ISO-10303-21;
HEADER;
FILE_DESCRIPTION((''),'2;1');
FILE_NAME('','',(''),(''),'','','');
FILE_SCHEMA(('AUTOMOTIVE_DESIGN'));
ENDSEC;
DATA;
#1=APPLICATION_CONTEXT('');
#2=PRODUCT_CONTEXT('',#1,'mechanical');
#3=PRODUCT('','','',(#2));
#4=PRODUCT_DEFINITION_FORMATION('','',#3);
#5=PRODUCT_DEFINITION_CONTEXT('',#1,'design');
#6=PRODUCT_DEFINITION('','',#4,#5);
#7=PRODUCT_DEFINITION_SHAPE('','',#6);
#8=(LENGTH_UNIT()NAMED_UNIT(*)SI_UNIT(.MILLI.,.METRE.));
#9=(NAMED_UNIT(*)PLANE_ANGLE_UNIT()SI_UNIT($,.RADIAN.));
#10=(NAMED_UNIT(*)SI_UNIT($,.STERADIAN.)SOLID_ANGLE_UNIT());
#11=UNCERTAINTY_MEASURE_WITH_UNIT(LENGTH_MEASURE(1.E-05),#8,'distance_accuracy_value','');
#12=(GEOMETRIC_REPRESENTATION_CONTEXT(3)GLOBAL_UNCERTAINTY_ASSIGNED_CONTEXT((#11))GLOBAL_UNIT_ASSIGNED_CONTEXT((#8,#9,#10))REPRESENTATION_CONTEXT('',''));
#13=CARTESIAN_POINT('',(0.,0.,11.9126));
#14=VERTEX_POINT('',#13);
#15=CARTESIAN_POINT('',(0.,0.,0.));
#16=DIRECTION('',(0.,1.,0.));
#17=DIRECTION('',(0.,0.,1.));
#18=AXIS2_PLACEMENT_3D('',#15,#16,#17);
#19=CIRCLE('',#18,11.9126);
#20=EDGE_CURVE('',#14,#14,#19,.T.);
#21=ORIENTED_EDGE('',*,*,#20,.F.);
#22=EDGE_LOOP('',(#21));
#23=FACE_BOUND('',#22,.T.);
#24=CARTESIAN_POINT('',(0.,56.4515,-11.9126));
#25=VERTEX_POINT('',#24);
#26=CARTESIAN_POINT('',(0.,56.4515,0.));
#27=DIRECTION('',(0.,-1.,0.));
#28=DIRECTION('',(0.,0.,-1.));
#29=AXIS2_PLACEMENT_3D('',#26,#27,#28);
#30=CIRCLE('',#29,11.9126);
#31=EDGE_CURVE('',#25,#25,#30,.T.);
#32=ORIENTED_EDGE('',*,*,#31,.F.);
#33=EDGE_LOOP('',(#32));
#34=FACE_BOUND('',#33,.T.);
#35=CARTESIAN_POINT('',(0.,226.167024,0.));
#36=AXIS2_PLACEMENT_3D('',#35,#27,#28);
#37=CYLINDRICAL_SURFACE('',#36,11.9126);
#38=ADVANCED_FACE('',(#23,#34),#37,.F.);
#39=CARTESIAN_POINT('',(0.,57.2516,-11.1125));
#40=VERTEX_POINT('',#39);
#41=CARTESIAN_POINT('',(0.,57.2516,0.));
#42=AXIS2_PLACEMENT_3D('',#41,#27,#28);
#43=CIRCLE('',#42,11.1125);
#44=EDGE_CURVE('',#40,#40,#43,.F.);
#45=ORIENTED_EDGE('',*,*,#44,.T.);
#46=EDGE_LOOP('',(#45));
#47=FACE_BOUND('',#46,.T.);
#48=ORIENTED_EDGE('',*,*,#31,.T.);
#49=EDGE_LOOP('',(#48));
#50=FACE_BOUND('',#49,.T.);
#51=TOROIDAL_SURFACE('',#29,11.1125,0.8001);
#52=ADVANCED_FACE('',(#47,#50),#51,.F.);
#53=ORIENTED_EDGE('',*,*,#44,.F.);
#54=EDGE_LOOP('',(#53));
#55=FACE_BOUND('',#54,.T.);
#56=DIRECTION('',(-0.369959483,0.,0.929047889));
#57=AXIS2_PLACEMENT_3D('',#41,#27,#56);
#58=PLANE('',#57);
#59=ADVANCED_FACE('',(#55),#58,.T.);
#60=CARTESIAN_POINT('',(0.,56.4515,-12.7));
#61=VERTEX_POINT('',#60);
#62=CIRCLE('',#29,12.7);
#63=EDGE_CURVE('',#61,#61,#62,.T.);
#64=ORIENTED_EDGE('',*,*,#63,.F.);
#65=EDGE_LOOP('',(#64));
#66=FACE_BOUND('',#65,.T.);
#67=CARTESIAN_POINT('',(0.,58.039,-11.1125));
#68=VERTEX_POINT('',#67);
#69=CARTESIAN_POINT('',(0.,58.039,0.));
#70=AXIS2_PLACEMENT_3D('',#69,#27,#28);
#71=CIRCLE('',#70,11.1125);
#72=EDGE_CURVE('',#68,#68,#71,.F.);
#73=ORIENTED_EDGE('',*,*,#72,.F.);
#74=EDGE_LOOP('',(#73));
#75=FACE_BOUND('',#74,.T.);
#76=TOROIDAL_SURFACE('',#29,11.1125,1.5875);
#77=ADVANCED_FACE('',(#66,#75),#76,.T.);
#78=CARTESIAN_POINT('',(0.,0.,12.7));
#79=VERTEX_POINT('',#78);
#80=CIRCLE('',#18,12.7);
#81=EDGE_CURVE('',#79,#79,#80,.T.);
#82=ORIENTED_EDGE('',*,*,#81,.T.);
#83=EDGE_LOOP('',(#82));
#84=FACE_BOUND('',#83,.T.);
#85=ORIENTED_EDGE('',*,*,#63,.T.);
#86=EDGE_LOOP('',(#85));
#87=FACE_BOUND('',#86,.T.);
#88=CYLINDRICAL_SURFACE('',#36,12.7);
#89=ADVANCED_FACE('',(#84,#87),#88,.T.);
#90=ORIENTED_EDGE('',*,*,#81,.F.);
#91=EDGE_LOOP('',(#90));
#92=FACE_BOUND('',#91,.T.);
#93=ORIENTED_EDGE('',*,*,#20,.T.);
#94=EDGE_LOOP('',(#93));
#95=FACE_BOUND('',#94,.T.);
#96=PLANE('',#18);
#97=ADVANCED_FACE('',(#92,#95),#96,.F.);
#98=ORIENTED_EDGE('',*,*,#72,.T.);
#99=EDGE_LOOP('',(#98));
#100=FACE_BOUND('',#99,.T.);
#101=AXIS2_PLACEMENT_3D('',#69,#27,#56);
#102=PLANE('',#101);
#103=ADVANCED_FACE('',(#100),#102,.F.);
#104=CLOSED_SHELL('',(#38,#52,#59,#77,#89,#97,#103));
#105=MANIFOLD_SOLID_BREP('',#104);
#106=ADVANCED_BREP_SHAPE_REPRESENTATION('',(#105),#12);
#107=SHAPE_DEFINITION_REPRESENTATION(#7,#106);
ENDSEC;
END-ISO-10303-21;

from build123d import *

# Parameters (mm, degrees)
SKETCH1_R           = 12.7
BOSS_EXTRUDE1_DEPTH = 58.039
FILLET1_R           = 1.5875
SHELL1_T            = -0.7874


with BuildPart() as part:
    # Sketch1 → Boss-Extrude1 (new body)
    with BuildSketch(Plane(origin=(0, 0, 0), x_dir=(1, 0, 0), z_dir=(0, 1, 0))):
        with Locations(Location((0, 0, 0), (0, 0, 90))):
            Circle(SKETCH1_R)
    extrude(amount=BOSS_EXTRUDE1_DEPTH)

    # Fillet1
    fillet1_edges = [part.edges().sort_by_distance(p)[0] for p in [
        (0, 58.039, 12.7),
    ]]
    fillet(fillet1_edges, radius=FILLET1_R)

    # Shell1
    shell1_openings = [part.faces().sort_by_distance(p)[0] for p in [
        (0, 0, 0),
    ]]
    offset(amount=SHELL1_T, openings=shell1_openings, kind=Kind.INTERSECTION)


solid = part.part
